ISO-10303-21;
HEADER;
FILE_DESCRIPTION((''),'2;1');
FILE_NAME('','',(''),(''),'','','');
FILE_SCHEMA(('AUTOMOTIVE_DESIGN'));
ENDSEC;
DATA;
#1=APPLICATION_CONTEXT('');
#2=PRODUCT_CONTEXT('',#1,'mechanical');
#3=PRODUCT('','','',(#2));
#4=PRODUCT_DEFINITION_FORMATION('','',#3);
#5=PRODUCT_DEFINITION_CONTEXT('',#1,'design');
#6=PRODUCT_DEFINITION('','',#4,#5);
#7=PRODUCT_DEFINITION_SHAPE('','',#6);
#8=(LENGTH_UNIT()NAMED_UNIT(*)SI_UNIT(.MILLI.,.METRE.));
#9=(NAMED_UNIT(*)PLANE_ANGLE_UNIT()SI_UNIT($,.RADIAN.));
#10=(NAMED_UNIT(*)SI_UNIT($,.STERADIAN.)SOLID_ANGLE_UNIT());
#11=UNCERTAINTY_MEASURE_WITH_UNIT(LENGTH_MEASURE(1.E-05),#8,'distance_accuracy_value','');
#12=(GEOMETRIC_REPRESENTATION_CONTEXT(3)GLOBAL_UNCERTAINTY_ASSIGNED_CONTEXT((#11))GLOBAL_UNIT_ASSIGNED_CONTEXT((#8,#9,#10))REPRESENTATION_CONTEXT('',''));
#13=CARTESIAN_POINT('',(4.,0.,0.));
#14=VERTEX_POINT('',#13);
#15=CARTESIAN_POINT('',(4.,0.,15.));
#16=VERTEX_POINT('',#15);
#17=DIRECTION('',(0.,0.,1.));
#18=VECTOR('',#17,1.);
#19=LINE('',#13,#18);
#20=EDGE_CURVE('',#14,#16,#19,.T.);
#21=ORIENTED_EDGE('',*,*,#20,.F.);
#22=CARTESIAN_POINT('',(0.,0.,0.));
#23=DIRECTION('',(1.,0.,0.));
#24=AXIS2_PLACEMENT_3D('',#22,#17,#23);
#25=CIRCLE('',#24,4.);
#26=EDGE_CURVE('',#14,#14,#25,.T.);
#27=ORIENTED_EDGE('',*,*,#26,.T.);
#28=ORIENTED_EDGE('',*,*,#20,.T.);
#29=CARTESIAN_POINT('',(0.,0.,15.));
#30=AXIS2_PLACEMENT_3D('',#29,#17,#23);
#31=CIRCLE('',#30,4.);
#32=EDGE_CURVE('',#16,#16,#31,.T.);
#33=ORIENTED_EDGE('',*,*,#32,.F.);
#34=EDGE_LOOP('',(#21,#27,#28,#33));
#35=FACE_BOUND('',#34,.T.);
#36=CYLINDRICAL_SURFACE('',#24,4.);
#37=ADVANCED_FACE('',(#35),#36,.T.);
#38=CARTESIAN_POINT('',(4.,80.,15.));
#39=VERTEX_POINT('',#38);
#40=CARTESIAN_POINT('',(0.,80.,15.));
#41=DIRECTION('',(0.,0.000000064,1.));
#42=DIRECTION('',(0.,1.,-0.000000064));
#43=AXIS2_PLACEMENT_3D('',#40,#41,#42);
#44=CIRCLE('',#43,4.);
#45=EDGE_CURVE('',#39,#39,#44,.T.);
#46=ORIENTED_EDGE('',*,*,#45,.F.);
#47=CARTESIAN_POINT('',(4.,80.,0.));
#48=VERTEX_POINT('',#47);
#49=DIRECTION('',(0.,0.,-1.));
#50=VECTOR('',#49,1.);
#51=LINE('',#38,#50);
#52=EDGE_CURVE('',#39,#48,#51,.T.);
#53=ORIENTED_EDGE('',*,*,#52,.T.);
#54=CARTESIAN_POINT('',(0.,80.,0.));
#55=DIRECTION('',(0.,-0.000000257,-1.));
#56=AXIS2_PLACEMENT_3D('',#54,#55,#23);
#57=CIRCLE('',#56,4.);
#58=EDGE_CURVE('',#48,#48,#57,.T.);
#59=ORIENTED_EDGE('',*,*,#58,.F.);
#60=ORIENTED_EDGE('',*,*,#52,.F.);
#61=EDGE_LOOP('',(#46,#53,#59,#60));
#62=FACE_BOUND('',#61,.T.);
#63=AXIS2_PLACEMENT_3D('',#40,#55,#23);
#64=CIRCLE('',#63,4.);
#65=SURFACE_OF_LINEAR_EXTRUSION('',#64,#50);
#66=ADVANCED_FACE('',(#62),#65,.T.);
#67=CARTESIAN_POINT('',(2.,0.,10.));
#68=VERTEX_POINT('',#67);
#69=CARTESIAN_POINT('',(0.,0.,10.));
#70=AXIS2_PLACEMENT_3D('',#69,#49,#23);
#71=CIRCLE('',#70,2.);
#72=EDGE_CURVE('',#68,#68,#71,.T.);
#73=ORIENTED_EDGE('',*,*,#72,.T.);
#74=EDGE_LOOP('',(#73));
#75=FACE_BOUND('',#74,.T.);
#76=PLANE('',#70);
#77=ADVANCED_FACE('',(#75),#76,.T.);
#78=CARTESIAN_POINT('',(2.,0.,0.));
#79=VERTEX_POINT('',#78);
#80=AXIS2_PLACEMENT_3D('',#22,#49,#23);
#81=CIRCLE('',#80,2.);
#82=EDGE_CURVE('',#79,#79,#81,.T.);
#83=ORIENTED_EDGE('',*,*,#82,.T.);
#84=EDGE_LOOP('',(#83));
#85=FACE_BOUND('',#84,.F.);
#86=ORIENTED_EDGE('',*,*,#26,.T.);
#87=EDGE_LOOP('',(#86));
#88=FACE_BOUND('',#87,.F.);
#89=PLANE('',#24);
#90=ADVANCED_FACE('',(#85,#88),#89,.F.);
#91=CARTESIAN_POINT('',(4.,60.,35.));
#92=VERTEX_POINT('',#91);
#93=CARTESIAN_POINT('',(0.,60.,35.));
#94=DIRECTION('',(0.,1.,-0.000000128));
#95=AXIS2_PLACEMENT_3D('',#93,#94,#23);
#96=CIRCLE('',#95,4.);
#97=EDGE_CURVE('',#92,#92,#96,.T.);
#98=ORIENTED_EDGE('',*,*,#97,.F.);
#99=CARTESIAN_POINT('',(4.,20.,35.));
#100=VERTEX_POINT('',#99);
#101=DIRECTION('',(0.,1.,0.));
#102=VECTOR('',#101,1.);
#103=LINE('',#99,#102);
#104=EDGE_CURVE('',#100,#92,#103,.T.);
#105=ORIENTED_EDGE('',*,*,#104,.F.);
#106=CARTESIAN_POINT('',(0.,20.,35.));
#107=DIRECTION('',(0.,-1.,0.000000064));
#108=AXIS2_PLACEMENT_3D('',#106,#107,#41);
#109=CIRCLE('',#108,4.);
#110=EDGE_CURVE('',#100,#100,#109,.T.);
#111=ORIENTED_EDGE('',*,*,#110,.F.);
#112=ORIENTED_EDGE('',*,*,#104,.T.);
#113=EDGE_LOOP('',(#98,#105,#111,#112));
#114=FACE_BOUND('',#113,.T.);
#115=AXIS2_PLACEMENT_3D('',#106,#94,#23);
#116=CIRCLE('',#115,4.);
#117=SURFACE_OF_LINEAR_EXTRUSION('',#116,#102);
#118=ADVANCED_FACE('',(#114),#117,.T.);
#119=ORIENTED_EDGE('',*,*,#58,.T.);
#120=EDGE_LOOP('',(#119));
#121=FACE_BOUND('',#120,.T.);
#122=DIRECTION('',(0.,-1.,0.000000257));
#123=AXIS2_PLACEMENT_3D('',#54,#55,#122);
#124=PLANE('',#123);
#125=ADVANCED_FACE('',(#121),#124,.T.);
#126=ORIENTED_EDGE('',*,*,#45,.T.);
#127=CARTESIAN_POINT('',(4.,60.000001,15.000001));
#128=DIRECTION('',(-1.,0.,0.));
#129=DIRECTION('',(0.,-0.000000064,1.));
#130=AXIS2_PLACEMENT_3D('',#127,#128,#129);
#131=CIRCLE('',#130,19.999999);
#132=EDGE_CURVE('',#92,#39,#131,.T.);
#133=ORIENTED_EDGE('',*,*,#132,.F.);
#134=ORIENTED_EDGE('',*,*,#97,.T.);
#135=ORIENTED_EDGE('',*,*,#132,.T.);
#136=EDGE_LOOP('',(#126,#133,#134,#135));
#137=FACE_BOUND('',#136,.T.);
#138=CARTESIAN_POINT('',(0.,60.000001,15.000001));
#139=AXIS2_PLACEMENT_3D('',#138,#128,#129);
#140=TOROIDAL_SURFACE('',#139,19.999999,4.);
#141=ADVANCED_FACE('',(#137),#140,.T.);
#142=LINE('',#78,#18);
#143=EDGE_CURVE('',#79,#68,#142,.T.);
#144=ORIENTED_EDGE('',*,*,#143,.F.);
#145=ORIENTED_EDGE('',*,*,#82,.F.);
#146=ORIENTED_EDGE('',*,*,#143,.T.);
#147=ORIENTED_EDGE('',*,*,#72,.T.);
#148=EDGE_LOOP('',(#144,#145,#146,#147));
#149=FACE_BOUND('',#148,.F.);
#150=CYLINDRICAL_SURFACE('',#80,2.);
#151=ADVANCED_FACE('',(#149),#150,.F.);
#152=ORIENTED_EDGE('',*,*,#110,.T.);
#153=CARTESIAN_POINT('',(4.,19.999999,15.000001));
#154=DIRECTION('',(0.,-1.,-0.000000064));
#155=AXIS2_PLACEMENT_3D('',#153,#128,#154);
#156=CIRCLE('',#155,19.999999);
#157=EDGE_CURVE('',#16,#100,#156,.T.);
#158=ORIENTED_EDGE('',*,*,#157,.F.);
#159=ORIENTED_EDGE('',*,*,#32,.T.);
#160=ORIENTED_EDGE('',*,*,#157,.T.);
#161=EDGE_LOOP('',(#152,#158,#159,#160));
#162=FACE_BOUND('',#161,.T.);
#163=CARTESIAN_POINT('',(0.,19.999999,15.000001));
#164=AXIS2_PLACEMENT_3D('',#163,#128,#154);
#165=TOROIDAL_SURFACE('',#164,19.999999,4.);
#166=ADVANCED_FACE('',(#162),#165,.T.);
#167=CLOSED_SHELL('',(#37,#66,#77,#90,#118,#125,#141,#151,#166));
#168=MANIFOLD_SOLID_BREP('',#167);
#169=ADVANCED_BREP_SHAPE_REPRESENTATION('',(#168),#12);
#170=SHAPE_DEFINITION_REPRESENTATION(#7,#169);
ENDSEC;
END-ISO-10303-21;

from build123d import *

# Parameters (mm, degrees)
F1_R     = 4
F3_R     = 2
F4_DEPTH = 10


with BuildPart() as f2:
    # F2: sweep along a path in F0
    with BuildLine(Plane.YZ) as f2_path:
        Line((0, 0), (0, 15))
        ThreePointArc((0, 15), (5.857864, 29.142136), (20, 35))
        Line((20, 35), (60, 35))
        ThreePointArc((60, 35), (74.142136, 29.142136), (80, 15))
        Line((80, 15), (80, 0))
    # F1 (on Top) → F2 (sweep)
    with BuildSketch(Plane.XY):
        Circle(F1_R)
    sweep(path=f2_path.line)

    # F3 (on face) → F4 (cut)
    with BuildSketch(Plane(origin=(0, 0, 0), x_dir=(1, 0, 0), z_dir=(0, 0, -1))):
        Circle(F3_R)
        with Locations((0, -100)):
            Circle(F3_R)
    extrude(amount=-F4_DEPTH, mode=Mode.SUBTRACT)


solid = f2.part
